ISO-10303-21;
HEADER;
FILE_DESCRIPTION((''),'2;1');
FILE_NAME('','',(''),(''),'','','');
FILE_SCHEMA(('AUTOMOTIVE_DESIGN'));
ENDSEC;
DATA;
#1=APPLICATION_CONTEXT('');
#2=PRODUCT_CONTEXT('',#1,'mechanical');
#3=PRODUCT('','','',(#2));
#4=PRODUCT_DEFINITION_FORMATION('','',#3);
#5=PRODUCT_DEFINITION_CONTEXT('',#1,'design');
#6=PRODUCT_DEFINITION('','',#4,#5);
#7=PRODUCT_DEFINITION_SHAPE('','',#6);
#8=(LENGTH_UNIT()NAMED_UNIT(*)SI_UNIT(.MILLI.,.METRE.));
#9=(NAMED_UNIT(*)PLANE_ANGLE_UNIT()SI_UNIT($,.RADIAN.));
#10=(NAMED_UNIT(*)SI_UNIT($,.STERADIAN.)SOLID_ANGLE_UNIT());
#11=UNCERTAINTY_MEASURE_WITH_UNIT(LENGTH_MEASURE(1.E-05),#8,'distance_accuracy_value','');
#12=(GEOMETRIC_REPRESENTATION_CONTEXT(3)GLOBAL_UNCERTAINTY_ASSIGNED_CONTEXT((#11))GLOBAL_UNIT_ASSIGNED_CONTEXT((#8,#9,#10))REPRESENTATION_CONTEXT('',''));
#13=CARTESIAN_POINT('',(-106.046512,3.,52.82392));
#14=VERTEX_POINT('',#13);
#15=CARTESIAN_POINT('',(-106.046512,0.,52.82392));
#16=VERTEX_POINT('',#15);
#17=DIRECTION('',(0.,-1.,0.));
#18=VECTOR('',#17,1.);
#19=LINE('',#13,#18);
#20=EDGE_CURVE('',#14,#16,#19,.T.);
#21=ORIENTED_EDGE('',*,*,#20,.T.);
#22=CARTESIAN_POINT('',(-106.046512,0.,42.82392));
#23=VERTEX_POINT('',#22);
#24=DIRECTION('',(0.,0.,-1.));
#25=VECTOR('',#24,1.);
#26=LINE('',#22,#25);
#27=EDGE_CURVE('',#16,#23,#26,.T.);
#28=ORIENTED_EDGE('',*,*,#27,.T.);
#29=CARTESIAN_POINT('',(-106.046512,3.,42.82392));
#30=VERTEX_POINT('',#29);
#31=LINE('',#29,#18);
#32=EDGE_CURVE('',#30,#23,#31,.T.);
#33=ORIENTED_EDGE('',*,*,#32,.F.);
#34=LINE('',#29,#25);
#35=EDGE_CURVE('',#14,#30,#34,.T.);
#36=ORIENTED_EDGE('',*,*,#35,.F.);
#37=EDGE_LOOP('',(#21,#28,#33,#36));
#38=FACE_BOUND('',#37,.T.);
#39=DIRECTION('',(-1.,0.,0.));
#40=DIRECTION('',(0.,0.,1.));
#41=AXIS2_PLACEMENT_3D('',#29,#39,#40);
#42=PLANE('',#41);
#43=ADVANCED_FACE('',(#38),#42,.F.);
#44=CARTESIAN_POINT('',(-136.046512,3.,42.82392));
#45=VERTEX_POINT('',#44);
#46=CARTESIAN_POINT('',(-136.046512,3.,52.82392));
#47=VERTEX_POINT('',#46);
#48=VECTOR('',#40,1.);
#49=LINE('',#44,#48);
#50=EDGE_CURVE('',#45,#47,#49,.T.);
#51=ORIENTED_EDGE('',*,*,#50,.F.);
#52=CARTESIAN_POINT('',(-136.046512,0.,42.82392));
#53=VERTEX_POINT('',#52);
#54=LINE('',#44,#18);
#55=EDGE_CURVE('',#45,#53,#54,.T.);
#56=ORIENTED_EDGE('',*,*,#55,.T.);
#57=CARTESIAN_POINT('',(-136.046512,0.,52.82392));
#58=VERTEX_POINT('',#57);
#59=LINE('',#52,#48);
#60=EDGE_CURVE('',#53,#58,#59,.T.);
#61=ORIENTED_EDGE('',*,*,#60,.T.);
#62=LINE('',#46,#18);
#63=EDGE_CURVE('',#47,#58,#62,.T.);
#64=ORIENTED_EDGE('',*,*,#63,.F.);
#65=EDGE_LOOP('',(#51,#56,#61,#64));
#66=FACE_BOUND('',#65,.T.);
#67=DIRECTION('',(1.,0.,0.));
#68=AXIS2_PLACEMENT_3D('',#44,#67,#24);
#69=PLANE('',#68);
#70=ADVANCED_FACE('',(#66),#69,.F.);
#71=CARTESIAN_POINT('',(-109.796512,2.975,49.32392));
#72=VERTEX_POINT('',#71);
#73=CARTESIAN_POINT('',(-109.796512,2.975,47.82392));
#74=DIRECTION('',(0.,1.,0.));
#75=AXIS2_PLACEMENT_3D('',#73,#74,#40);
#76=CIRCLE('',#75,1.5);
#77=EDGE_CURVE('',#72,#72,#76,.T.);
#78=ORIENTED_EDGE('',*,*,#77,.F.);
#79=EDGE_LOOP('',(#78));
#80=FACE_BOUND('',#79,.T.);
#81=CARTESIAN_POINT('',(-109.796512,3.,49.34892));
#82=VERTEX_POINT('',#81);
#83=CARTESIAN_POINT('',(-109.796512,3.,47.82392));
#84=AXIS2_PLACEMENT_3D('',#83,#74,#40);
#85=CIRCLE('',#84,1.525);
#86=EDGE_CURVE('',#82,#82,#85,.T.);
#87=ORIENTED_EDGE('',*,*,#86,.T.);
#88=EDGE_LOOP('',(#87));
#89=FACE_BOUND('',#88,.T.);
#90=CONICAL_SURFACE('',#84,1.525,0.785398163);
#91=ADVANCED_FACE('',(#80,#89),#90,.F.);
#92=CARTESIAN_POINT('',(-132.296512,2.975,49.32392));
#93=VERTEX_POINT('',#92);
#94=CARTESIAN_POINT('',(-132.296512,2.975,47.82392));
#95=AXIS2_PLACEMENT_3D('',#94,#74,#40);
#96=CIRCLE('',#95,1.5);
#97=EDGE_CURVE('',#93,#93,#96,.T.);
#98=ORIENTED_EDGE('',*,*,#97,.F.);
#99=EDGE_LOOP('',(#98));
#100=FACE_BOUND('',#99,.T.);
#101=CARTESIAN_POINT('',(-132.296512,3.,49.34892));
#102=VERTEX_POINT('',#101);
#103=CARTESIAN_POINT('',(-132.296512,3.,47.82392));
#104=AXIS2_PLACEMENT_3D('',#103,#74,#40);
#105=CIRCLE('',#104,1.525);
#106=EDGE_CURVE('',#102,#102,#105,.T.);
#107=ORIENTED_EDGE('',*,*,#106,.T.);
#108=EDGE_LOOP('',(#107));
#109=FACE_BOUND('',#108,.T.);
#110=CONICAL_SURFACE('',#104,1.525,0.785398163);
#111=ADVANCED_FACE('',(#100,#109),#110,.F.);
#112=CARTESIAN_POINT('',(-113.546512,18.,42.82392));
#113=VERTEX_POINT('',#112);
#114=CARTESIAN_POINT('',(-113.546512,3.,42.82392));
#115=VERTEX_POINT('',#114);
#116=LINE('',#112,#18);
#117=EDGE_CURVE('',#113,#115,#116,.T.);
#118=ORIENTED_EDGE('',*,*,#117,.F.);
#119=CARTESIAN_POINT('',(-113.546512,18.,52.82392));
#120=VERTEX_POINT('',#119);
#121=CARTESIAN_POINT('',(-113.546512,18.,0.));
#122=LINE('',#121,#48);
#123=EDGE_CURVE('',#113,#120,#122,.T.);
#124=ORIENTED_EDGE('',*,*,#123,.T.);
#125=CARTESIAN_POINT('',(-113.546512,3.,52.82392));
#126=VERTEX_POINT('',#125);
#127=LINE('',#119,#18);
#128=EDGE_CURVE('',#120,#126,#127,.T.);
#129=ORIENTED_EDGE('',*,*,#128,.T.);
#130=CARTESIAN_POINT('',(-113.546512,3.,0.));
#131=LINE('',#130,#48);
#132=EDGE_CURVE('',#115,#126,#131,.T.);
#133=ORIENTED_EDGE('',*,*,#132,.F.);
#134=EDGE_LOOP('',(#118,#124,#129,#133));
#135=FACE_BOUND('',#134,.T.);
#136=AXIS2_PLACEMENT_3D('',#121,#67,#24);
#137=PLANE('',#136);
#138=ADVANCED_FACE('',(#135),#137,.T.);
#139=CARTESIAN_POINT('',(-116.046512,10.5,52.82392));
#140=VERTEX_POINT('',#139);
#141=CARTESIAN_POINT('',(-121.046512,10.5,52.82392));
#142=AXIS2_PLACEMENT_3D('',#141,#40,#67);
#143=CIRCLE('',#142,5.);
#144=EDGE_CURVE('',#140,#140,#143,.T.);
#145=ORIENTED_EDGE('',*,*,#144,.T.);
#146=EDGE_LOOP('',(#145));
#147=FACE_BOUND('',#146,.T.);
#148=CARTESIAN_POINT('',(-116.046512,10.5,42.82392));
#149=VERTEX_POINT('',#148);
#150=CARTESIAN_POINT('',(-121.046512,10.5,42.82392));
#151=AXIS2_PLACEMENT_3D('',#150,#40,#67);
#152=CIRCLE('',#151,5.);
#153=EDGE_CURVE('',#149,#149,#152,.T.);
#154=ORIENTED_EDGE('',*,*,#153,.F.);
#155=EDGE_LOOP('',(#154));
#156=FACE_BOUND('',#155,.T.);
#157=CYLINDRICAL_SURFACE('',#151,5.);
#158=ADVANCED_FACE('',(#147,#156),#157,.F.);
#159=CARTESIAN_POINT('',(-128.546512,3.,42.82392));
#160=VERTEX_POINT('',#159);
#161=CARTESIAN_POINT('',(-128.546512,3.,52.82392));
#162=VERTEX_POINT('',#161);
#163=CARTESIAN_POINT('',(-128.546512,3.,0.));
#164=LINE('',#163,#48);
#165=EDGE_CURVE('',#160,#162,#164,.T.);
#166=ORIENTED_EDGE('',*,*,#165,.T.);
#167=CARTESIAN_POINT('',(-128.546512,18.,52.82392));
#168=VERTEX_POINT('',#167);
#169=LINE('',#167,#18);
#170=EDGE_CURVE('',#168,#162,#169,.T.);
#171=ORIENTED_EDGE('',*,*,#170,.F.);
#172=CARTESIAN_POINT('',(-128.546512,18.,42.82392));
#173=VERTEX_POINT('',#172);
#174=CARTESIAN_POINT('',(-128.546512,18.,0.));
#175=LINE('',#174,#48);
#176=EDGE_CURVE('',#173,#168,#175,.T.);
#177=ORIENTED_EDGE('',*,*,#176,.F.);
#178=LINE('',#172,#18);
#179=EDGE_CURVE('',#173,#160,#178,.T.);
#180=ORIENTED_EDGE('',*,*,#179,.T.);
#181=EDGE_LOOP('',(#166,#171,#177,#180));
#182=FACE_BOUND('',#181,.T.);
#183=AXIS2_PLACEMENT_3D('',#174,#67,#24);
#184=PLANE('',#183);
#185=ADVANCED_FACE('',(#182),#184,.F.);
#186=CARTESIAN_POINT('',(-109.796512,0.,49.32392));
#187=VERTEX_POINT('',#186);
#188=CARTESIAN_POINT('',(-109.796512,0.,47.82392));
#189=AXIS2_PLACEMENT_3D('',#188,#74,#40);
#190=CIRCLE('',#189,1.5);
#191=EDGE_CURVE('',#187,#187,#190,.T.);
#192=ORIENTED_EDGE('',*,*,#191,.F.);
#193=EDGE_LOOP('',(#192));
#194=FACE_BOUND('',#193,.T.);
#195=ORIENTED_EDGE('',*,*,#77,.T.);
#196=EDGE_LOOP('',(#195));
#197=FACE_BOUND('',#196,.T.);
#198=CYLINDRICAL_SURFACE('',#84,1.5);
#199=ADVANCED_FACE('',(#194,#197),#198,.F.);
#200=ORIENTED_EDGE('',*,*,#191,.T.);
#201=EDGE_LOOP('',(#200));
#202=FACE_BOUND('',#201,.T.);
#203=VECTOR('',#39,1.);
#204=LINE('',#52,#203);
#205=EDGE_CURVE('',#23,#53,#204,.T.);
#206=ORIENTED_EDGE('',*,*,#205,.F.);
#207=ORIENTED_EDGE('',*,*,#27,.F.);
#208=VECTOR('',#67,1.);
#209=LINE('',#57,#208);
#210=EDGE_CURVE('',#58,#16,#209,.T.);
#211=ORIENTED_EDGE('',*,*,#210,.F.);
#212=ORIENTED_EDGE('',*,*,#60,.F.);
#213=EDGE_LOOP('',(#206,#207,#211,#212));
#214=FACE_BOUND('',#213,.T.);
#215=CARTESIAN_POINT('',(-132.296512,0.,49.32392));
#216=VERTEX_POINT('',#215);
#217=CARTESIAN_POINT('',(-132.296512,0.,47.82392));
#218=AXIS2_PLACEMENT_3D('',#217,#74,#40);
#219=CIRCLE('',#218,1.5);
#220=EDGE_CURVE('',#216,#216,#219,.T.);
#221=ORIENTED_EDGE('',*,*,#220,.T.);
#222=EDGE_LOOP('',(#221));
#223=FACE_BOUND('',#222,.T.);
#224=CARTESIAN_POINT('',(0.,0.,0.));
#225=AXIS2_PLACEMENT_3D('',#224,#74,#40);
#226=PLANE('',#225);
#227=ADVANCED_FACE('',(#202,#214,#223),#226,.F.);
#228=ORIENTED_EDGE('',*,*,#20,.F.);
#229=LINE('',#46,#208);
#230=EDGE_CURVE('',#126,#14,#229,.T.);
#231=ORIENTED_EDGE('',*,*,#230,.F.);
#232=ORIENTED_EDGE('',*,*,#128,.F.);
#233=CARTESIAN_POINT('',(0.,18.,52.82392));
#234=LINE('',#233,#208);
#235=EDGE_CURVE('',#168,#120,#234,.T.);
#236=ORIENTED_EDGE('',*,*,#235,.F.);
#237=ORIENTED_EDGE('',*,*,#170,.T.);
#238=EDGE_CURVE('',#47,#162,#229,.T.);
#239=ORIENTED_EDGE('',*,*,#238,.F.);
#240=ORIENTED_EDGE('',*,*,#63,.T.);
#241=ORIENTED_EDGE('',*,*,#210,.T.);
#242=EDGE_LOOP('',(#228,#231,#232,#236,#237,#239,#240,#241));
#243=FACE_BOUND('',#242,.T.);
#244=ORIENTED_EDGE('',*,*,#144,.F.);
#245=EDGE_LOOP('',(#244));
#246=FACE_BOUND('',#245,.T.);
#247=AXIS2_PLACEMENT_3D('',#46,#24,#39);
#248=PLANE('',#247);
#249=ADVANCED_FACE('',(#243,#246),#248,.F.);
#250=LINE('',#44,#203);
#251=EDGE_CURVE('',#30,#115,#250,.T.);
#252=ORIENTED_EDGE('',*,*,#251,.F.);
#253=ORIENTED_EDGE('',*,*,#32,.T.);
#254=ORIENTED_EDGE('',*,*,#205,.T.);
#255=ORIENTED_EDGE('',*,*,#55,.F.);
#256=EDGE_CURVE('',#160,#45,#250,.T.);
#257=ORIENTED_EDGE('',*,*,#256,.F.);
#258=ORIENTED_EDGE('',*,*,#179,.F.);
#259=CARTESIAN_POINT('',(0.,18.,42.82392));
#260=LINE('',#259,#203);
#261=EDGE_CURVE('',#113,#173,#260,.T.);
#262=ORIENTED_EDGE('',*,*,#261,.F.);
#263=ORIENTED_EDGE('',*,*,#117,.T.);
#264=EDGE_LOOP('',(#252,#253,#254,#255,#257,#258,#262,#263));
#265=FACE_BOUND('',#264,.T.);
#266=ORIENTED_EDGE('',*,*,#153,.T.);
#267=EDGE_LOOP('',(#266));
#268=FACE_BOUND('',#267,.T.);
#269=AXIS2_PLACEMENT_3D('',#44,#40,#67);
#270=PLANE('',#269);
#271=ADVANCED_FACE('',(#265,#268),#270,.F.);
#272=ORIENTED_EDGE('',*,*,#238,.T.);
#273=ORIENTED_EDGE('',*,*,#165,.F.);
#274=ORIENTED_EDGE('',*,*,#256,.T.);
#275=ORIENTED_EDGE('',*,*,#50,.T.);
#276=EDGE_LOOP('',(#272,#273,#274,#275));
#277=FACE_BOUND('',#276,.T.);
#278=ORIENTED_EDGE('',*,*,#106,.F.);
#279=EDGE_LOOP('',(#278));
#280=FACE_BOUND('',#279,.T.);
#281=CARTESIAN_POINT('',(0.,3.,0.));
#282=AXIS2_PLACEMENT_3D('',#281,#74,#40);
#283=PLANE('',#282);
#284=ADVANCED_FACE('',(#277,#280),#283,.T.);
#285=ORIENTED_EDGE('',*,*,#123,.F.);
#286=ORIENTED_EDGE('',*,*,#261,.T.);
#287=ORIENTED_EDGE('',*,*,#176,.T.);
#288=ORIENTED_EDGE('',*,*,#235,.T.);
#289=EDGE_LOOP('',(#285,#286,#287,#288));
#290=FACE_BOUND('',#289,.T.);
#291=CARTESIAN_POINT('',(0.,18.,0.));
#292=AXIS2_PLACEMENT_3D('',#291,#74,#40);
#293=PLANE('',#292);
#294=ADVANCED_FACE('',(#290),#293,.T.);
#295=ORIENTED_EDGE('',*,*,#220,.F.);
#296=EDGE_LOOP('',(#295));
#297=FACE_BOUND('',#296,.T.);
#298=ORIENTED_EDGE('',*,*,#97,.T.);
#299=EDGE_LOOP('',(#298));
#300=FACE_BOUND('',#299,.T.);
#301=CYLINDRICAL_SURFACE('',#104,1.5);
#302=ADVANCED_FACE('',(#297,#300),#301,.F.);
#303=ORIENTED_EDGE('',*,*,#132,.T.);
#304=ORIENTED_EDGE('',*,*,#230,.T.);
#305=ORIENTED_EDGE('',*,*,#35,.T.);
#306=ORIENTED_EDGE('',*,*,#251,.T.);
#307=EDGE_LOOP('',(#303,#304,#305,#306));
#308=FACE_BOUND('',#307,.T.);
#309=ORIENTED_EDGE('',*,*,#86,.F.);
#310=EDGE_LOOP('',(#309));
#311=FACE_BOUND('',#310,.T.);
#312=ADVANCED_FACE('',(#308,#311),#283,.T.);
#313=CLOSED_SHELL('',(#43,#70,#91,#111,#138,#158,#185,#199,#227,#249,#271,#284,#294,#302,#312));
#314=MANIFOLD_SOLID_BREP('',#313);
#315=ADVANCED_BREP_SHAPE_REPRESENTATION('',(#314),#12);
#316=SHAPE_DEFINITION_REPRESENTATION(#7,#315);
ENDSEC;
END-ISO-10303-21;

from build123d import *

# Parameters (mm, degrees)
SKETCH1_W                       = 30
SKETCH1_H                       = 10
BOSS_EXTRUDE1_DEPTH             = 3
SKETCH2_W                       = 15
SKETCH2_H                       = 10
BOSS_EXTRUDE2_DEPTH             = 15
SKETCH3_R                       = 5
CUT_EXTRUDE1_DEPTH              = 138.595978597
F_3_0MM_DOWEL_HOLE1_D           = 3
F_3_0MM_DOWEL_HOLE1_CSINK_D     = 3.05
F_3_0MM_DOWEL_HOLE1_CSINK_ANGLE = 90


with BuildPart() as part:
    # Sketch1 → Boss-Extrude1 (new body)
    with BuildSketch(Plane(origin=(0, 0, 0), x_dir=(1, 0, 0), z_dir=(0, 1, 0))):
        with Locations((-121.046511628, -47.823920266)):
            Rectangle(SKETCH1_W, SKETCH1_H)
    extrude(amount=BOSS_EXTRUDE1_DEPTH)

    # Sketch2 → Boss-Extrude2 (add)
    with BuildSketch(Plane(origin=(0, 3, 0), x_dir=(1, 0, 0), z_dir=(0, 1, 0))):
        with Locations((-121.046511628, -47.823920266)):
            Rectangle(SKETCH2_W, SKETCH2_H)
    extrude(amount=BOSS_EXTRUDE2_DEPTH)

    # Sketch3 → Cut-Extrude1 (cut, through all)
    with BuildSketch(Plane.XY.offset(52.823920266)):
        with Locations((-121.046511628, 10.5)):
            Circle(SKETCH3_R)
    extrude(amount=-CUT_EXTRUDE1_DEPTH, mode=Mode.SUBTRACT)

    # Ø3.0mm Dowel Hole1 (through all)
    with Locations(Plane(origin=(0, 3, 0), x_dir=(1, 0, 0), z_dir=(0, 1, 0))):
        with Locations((-132.296511628, -47.823920266)):
            f_3_0mm_dowel_hole1 = CounterSinkHole(F_3_0MM_DOWEL_HOLE1_D / 2, F_3_0MM_DOWEL_HOLE1_CSINK_D / 2, counter_sink_angle=F_3_0MM_DOWEL_HOLE1_CSINK_ANGLE)

    # Mirror1: Ø3.0mm Dowel Hole1 across plane
    add(f_3_0mm_dowel_hole1.mirror(Plane(origin=(-121.046511628, 0, 0), x_dir=(0, 0, 1), z_dir=(1, 0, 0))), mode=Mode.SUBTRACT)


solid = part.part
